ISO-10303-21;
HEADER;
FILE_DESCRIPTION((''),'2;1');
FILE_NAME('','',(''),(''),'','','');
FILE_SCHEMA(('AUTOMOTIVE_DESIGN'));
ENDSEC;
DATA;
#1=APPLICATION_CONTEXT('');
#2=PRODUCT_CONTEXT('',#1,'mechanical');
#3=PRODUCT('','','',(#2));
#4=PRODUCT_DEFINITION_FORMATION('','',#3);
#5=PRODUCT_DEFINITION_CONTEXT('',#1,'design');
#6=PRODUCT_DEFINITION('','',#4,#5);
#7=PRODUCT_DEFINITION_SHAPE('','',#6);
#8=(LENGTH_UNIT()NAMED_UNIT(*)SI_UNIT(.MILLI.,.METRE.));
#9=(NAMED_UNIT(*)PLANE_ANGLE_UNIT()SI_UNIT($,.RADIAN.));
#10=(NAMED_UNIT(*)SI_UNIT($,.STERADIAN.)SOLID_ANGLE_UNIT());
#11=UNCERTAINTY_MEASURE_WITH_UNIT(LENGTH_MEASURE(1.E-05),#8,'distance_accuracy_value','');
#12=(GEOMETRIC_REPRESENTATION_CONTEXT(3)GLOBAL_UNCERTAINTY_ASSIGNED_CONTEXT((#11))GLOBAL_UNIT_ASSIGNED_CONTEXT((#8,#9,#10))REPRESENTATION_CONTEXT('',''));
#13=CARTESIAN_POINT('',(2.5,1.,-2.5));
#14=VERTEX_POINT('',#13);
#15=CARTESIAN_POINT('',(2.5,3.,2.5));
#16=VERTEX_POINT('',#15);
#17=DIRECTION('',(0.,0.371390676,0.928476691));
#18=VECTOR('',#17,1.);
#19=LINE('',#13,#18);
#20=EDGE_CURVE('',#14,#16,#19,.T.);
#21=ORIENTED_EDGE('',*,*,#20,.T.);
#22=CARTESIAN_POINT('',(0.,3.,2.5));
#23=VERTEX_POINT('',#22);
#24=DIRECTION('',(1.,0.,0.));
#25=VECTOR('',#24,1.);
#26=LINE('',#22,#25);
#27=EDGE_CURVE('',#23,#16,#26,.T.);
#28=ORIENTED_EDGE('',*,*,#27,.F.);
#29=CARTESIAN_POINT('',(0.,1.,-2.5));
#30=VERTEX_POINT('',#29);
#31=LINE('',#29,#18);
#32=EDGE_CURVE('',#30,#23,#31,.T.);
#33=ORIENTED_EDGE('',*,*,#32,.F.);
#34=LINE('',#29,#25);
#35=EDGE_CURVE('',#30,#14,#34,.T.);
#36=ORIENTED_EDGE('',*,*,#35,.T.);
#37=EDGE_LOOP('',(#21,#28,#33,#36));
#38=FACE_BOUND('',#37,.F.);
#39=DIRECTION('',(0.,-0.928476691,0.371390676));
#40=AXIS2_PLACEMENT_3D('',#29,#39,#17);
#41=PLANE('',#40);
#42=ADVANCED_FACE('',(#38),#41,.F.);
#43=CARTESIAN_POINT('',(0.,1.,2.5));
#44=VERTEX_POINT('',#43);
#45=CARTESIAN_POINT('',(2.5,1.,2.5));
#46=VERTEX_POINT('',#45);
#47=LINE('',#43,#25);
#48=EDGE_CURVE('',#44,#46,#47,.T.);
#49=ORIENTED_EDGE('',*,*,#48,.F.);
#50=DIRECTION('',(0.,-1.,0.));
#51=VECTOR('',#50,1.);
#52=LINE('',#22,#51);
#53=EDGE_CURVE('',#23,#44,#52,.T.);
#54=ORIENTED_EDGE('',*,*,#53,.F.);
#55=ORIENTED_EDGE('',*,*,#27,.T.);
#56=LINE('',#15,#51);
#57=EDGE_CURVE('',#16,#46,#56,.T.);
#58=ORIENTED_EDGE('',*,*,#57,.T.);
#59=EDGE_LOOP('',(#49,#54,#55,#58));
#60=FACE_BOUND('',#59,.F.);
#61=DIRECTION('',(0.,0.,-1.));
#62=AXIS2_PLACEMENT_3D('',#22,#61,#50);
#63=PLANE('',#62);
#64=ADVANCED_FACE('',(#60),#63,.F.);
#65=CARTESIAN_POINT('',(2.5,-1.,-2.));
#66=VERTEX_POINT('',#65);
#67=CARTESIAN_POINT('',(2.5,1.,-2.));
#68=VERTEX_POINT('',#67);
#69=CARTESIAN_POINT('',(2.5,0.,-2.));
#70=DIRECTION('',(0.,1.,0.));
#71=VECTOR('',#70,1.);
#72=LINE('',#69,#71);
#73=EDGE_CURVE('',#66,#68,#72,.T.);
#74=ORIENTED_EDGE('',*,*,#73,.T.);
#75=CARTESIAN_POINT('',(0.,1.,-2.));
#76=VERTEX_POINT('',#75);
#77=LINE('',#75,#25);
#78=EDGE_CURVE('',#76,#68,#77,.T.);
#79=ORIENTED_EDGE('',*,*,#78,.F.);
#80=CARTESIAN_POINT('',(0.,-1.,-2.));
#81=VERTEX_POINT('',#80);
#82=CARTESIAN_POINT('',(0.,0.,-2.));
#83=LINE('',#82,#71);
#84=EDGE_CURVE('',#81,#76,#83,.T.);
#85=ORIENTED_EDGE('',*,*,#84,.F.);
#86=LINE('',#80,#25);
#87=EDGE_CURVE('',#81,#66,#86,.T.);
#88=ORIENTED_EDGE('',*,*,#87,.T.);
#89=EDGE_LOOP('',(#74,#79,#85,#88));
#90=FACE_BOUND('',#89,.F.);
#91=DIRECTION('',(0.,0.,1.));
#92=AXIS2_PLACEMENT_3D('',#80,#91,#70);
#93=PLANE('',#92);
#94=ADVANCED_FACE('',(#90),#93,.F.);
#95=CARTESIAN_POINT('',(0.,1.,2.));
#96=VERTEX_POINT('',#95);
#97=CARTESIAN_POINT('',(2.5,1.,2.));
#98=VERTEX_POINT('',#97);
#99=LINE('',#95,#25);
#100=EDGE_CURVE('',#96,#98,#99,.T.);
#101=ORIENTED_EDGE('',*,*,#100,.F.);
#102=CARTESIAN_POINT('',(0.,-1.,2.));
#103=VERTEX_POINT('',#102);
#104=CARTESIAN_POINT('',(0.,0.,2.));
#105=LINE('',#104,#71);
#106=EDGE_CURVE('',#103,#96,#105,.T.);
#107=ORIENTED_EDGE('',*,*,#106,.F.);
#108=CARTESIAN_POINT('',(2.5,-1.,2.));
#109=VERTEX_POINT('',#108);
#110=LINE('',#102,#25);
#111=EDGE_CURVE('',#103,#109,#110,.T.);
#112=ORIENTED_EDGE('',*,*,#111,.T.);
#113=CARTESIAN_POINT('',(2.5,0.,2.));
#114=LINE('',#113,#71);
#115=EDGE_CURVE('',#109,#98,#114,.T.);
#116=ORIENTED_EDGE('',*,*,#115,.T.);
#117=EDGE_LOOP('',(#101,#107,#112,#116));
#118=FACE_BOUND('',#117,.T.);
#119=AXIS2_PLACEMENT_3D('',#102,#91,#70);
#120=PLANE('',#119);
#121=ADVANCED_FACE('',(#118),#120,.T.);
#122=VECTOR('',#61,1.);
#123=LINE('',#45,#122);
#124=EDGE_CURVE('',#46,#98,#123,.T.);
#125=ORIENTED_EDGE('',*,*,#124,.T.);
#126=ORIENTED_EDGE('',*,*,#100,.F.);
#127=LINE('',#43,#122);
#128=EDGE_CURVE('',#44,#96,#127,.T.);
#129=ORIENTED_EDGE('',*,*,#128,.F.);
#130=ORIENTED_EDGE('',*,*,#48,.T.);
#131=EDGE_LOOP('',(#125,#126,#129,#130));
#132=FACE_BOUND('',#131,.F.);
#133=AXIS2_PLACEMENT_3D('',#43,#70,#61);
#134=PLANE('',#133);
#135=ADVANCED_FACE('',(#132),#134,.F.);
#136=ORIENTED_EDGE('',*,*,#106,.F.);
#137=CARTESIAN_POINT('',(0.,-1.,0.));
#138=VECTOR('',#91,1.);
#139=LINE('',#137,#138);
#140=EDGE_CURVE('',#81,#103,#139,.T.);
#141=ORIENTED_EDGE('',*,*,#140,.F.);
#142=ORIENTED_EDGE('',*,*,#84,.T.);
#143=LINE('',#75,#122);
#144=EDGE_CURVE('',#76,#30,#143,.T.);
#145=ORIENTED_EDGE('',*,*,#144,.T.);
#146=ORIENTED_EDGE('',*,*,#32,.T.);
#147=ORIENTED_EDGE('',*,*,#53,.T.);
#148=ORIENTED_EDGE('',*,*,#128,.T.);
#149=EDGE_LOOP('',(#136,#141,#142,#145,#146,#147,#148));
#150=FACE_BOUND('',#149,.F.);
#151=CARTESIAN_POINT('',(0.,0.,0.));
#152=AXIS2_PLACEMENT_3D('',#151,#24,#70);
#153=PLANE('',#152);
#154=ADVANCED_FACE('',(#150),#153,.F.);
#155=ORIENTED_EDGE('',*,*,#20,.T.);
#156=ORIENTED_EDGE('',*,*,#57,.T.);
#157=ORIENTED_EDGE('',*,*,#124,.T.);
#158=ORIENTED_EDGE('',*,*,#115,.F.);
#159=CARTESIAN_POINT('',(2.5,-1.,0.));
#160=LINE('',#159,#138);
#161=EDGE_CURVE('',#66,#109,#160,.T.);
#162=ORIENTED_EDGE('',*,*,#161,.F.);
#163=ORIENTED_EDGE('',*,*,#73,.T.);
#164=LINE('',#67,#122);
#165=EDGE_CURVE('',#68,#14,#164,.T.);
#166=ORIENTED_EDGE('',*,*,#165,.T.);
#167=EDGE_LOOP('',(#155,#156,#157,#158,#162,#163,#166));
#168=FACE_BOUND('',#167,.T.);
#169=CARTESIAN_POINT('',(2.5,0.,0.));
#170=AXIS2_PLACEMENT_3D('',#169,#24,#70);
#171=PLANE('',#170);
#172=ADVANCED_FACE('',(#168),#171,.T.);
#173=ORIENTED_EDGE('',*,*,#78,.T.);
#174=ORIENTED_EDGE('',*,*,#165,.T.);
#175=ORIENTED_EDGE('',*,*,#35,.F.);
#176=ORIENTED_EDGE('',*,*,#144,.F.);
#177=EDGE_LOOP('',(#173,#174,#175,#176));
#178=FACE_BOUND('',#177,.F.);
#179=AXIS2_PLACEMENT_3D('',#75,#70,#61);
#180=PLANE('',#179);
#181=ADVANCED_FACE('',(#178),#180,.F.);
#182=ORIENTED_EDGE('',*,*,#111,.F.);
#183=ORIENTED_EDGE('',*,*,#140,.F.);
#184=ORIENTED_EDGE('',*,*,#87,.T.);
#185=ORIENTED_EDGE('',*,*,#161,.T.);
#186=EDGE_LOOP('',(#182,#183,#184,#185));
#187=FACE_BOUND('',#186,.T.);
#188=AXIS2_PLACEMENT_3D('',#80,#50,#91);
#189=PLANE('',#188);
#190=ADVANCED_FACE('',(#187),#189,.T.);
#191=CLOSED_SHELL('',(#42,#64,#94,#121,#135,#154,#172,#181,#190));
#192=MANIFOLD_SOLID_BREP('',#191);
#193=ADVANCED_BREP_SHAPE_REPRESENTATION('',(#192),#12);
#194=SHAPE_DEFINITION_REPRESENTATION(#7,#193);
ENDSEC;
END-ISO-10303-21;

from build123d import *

# Parameters (mm, degrees)
F0_W     = 2
F0_H     = 4
F1_DEPTH = 2.5


with BuildPart() as f1:
    # F0 (on Right) → F1 (new body)
    with BuildSketch(Plane.YZ):
        Rectangle(F0_W, F0_H)
        Polygon((1, 2), (1, -2), (1, -2.5), (3, 2.5), (1, 2.5), align=None)
    extrude(amount=F1_DEPTH)


solid = f1.part
